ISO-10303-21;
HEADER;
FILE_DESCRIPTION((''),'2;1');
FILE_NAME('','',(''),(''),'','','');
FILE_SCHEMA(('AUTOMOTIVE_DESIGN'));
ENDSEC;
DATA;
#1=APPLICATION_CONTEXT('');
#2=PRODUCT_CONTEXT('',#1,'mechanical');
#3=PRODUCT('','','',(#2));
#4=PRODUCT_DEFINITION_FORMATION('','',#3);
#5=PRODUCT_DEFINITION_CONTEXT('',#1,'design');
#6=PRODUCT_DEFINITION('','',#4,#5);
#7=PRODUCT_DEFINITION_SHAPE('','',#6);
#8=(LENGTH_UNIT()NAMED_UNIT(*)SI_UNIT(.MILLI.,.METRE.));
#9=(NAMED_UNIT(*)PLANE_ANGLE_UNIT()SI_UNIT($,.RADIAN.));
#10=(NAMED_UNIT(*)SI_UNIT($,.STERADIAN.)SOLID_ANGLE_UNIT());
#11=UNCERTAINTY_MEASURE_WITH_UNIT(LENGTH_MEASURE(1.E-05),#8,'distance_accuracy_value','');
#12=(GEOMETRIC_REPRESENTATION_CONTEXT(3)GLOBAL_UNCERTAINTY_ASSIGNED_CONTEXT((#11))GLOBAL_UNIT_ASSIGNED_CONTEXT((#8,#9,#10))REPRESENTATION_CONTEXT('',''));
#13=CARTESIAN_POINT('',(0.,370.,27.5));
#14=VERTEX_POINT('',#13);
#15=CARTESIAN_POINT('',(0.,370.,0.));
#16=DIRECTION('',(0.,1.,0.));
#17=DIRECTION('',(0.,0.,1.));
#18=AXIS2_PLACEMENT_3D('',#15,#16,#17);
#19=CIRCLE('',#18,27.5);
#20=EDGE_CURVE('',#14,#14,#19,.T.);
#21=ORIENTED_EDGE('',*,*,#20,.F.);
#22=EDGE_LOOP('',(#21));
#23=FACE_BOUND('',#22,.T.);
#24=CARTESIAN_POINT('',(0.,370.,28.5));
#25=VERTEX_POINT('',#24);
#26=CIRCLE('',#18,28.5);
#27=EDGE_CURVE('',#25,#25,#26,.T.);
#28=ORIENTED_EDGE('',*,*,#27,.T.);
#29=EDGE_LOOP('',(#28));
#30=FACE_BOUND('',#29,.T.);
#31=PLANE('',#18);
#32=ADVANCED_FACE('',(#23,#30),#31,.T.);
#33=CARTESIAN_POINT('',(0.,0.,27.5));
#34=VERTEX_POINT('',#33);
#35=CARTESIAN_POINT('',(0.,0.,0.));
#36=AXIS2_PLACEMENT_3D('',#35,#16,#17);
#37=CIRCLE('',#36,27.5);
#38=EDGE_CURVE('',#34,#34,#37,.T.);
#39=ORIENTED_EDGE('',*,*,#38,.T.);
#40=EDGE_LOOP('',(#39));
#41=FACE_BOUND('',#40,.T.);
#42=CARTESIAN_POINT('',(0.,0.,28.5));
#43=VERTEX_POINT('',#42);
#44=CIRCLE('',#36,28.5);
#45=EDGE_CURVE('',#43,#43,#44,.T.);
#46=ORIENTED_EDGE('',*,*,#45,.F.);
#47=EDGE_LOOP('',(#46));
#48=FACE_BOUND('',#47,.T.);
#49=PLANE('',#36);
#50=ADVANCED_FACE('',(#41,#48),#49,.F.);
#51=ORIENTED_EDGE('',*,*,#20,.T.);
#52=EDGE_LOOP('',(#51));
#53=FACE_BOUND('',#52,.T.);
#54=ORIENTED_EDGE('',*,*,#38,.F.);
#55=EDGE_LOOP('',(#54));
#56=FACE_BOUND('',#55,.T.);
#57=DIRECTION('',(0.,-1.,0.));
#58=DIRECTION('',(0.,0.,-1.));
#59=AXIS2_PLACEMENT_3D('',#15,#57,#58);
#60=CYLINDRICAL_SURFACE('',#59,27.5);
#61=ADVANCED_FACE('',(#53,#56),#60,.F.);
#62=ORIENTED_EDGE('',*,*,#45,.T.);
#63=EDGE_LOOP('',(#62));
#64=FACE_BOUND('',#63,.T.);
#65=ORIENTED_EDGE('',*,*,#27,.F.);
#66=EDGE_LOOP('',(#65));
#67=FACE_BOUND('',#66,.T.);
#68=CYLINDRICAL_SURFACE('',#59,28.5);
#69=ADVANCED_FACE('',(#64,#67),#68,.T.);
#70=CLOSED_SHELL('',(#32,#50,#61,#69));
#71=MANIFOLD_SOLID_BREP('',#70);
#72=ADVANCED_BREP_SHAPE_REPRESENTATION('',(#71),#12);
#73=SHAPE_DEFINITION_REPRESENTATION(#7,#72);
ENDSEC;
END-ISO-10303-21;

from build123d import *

# Parameters (mm, degrees)
SKETCH1_R           = 28.5
SKETCH1_R_2         = 27.5
BOSS_EXTRUDE1_DEPTH = 370


with BuildPart() as part:
    # Sketch1 → Boss-Extrude1 (new body)
    with BuildSketch(Plane(origin=(0, 0, 0), x_dir=(1, 0, 0), z_dir=(0, 1, 0))):
        Circle(SKETCH1_R)
        Circle(SKETCH1_R_2, mode=Mode.SUBTRACT)
    extrude(amount=BOSS_EXTRUDE1_DEPTH)


solid = part.part
